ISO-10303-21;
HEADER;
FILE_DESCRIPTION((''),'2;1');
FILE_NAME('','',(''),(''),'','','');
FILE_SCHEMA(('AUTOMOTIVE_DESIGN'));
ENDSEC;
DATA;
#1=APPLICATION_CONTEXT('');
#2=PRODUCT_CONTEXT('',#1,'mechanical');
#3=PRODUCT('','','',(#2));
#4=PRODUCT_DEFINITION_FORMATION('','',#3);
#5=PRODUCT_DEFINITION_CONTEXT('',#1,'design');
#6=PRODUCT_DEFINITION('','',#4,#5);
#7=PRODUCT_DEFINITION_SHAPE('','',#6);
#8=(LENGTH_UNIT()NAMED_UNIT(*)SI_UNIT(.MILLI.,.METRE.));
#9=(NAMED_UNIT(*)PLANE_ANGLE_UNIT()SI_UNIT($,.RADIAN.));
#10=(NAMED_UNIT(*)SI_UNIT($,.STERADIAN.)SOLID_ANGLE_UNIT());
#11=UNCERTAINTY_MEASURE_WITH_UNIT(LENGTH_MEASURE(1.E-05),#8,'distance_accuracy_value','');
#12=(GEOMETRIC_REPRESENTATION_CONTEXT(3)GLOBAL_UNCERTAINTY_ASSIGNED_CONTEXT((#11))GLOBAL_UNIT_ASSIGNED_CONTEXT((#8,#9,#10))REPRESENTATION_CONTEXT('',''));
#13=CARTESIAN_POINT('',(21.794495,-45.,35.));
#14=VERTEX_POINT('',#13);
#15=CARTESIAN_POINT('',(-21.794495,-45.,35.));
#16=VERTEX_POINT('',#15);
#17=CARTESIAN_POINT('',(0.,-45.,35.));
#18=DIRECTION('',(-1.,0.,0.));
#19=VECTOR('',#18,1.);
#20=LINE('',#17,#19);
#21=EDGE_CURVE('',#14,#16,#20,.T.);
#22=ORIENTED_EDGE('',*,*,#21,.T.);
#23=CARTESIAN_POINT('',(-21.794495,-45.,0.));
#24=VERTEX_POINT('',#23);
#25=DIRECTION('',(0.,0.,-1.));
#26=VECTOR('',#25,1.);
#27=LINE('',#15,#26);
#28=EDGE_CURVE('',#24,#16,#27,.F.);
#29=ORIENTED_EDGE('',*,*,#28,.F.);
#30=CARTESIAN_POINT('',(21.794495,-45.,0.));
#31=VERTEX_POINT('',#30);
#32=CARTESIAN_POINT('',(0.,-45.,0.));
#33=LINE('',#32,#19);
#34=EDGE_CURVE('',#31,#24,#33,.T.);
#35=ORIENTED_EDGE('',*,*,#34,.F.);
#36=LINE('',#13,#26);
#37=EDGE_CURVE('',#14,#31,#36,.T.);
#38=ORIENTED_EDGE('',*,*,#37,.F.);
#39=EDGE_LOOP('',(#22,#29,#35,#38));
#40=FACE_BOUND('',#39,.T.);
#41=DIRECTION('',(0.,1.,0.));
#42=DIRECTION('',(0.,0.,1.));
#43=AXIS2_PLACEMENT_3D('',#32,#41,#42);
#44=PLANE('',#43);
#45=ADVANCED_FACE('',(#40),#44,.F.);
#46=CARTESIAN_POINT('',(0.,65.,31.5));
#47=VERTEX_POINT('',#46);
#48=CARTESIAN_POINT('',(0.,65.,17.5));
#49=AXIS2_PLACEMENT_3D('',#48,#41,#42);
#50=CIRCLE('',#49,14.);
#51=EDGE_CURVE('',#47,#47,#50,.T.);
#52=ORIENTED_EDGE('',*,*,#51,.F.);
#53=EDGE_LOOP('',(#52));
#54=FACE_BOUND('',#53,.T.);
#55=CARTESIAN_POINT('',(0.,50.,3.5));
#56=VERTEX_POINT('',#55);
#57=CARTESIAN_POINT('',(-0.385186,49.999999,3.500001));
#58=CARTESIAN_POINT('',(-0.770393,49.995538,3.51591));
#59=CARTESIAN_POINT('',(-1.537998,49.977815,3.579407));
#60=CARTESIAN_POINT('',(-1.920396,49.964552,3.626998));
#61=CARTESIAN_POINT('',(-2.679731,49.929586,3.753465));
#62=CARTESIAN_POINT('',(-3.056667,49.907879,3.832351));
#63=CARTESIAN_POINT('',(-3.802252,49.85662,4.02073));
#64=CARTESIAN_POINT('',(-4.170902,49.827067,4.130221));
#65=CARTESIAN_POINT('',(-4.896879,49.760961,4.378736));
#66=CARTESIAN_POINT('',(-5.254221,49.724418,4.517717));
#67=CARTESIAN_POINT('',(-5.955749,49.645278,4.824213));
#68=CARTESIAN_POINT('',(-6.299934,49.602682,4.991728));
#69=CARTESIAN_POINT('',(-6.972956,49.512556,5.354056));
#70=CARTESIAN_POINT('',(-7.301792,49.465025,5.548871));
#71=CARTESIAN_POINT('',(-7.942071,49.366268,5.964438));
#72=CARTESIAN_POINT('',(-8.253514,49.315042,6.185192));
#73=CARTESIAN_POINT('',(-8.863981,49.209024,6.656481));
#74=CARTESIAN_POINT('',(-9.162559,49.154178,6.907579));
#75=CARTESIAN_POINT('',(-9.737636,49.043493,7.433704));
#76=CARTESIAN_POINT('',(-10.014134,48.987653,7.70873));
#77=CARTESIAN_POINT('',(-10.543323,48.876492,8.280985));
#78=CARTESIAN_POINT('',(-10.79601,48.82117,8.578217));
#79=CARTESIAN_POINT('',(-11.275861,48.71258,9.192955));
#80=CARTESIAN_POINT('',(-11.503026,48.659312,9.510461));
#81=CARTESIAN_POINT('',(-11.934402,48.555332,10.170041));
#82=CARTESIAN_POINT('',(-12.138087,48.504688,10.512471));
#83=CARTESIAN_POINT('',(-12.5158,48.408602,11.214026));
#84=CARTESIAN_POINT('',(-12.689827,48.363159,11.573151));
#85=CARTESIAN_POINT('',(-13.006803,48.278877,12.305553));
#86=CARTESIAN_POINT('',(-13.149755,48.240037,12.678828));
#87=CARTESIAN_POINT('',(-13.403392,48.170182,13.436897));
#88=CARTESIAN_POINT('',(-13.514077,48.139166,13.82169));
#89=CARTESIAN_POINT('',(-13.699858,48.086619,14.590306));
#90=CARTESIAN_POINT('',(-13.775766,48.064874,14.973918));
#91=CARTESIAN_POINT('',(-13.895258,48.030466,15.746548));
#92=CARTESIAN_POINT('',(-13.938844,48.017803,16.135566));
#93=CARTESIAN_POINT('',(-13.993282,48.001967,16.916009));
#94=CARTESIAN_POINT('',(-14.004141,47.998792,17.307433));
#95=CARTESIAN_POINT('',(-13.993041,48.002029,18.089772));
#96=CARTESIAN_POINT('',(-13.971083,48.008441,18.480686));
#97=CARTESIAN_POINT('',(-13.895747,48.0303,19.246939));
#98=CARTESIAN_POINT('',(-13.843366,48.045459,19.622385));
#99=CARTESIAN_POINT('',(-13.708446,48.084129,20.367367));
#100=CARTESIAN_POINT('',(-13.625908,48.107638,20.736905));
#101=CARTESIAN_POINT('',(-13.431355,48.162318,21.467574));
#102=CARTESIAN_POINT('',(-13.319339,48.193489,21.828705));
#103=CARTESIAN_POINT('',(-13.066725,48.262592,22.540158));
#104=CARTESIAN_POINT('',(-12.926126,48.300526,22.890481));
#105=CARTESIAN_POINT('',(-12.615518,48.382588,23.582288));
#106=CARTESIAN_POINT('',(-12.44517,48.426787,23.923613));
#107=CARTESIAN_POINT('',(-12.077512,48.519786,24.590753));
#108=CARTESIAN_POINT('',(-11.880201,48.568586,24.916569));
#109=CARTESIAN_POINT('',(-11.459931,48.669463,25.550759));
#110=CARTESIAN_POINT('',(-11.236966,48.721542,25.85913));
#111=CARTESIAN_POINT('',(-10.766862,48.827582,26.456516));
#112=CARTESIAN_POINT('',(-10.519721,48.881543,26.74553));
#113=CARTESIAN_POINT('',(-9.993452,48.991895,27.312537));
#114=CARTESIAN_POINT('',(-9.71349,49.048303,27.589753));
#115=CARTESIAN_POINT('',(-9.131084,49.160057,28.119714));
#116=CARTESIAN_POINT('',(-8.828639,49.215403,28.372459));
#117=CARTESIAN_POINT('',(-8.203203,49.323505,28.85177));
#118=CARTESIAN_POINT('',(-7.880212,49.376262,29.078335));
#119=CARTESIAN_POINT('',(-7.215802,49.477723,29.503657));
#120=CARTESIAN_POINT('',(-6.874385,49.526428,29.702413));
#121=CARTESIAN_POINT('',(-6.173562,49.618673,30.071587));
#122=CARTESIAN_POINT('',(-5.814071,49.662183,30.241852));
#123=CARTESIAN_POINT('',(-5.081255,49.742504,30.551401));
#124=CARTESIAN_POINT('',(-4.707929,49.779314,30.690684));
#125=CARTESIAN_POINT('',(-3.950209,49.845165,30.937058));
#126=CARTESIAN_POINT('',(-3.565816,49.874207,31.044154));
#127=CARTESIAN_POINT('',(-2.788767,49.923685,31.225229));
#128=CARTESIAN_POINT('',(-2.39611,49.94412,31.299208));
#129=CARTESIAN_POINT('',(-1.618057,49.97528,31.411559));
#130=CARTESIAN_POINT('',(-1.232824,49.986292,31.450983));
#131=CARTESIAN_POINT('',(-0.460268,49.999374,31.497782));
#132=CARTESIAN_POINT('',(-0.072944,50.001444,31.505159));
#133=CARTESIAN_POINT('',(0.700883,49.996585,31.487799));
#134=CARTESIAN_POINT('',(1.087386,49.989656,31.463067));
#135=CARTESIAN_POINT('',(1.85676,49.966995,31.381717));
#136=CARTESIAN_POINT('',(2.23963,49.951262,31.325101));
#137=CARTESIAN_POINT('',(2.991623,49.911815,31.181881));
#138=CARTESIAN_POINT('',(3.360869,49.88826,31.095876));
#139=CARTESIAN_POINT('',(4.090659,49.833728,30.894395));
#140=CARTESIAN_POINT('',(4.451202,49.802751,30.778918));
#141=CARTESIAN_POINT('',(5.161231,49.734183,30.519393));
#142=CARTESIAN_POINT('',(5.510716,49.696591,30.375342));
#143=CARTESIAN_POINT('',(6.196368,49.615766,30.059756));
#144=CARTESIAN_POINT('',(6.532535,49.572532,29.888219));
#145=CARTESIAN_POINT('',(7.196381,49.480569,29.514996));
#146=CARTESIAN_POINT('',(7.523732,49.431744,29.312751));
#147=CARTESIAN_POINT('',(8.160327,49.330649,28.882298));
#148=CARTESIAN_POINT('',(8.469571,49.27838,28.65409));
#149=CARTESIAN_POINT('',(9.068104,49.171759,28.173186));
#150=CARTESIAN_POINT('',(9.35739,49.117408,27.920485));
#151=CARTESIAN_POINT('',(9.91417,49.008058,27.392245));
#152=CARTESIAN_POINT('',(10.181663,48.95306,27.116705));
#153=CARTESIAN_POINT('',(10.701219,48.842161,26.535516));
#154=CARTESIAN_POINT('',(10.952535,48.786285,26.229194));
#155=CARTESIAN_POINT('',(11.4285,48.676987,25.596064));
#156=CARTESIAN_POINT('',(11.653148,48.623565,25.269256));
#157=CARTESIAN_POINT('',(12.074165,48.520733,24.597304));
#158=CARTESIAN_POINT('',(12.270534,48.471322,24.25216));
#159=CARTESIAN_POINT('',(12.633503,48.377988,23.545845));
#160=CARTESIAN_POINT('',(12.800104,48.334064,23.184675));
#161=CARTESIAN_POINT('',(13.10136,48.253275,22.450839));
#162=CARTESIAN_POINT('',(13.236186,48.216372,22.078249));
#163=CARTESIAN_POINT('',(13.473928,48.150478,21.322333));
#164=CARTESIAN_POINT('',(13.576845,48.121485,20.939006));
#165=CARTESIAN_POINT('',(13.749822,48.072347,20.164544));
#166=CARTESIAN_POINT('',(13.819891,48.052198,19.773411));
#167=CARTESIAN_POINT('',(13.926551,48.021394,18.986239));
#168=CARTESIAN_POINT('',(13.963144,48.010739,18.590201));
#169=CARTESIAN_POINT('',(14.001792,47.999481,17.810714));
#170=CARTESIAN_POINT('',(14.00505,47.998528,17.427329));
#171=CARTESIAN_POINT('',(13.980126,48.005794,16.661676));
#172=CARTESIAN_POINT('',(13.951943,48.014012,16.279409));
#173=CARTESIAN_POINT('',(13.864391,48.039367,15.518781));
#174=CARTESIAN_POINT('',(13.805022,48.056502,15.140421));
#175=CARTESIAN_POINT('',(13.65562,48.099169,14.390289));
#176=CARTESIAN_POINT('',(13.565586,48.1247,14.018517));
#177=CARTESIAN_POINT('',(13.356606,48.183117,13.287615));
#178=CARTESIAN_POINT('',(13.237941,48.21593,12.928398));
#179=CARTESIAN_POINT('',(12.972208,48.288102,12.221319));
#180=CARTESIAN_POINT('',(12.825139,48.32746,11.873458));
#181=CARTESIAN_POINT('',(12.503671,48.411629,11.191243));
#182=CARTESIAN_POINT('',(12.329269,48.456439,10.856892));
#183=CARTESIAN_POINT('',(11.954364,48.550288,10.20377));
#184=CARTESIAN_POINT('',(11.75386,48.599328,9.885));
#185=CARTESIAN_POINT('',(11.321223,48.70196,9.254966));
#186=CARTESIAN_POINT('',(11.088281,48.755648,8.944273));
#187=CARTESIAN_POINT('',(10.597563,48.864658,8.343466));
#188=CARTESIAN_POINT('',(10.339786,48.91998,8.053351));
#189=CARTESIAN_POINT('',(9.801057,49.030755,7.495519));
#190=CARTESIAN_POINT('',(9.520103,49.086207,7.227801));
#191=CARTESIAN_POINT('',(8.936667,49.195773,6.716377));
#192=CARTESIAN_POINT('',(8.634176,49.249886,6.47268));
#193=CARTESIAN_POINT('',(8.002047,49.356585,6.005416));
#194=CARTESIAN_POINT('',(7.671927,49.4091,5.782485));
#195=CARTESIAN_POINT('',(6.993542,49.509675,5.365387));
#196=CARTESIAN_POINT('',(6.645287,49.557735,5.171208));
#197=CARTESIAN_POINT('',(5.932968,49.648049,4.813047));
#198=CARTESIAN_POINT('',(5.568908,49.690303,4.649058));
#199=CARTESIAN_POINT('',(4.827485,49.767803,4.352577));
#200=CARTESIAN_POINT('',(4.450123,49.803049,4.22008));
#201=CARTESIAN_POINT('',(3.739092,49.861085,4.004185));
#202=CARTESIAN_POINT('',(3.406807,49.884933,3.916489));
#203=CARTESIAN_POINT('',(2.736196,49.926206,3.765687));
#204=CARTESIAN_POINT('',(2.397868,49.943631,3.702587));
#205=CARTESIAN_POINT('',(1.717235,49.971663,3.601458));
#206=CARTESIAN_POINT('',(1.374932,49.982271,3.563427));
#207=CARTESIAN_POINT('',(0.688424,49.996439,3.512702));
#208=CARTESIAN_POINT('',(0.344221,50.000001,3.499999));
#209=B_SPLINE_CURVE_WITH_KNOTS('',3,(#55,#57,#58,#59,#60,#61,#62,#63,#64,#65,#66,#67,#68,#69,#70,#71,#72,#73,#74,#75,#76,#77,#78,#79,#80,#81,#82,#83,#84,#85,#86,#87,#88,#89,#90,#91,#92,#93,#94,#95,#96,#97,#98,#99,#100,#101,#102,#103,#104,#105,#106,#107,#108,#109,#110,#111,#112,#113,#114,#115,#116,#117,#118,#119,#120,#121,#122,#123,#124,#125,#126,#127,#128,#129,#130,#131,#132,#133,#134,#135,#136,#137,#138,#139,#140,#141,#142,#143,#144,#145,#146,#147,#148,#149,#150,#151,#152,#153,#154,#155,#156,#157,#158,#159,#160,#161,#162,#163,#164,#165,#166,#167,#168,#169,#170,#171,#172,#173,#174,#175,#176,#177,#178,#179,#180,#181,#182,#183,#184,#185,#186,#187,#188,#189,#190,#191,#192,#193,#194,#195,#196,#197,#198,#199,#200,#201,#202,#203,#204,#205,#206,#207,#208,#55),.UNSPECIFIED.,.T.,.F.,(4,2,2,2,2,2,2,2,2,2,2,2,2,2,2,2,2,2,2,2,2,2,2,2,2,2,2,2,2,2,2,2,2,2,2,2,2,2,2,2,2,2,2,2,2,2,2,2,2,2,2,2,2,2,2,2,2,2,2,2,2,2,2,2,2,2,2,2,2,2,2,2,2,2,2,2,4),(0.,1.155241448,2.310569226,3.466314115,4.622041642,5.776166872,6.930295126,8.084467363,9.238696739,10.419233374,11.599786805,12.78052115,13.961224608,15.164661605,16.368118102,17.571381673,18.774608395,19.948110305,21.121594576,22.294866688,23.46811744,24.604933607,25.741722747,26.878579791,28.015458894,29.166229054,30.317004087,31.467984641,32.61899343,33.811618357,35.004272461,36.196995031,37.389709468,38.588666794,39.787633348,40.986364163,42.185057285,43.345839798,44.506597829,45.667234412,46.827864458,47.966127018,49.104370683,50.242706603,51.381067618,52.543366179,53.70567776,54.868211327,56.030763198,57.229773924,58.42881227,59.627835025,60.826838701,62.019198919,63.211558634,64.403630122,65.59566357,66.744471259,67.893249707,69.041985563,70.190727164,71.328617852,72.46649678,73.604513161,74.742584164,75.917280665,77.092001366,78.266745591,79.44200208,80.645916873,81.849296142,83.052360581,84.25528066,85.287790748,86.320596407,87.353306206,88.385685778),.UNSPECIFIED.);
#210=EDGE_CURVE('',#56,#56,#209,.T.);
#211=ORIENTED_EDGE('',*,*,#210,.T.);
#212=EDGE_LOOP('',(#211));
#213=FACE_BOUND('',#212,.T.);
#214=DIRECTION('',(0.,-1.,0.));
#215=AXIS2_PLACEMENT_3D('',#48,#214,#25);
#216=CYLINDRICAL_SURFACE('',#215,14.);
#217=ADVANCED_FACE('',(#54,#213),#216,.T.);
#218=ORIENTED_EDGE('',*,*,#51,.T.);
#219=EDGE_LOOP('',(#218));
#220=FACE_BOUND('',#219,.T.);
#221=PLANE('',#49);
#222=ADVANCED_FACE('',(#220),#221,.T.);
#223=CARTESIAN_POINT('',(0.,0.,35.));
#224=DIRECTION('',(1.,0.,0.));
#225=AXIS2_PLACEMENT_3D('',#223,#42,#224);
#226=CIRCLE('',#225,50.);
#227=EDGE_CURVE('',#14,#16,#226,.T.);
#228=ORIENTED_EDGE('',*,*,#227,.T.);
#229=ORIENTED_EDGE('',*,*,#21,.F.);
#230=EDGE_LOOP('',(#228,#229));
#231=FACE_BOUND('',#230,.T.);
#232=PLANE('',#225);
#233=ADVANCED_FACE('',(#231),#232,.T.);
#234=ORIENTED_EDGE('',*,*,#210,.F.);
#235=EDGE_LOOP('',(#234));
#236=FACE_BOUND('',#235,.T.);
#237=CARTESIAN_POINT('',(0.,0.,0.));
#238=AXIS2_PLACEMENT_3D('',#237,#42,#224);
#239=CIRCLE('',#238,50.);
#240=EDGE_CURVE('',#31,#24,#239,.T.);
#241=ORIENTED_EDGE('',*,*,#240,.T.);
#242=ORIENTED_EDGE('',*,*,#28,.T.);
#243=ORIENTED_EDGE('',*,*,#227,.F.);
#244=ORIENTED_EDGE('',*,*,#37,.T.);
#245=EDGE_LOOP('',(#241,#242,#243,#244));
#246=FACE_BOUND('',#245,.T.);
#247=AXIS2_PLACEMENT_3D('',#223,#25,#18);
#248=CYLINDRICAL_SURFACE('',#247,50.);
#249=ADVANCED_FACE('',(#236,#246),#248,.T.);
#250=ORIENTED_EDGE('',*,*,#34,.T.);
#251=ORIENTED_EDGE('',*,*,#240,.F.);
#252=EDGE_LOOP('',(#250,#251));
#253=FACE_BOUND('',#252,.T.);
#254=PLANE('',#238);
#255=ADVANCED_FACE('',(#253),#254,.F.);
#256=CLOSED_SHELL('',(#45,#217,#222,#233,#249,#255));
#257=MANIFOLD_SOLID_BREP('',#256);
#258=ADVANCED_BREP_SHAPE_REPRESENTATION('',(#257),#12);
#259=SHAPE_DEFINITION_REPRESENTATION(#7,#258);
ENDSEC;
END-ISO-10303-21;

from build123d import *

# Parameters (mm, degrees)
SKETCH_1_R          = 50
EXTRUDE_1_DEPTH     = 35
SKETCH_2_R          = 14
EXTRUDE_2_DEPTH     = 65
CUT_EXTRUDE_START   = -110
SKETCH_3_W          = 150
SKETCH_3_H          = 100
CUT_EXTRUDE_1_DEPTH = 64


with BuildPart() as part:
    # 草图1 → 凸台-拉伸1 (new body)
    with BuildSketch(Plane.XY):
        Circle(SKETCH_1_R)
    extrude(amount=EXTRUDE_1_DEPTH)

    # 草图2 → 凸台-拉伸2 (add)
    with BuildSketch(Plane(origin=(0, 0, 0), x_dir=(1, 0, 0), z_dir=(0, 1, 0))):
        with Locations((0, -17.5)):
            Circle(SKETCH_2_R)
    extrude(amount=EXTRUDE_2_DEPTH)

    # 草图3 → 切除-拉伸1 (cut)
    with BuildSketch(Plane(origin=(0, 65, 0), x_dir=(1, 0, 0), z_dir=(0, 1, 0)).offset(CUT_EXTRUDE_START)):
        Rectangle(SKETCH_3_W, SKETCH_3_H)
    extrude(amount=-CUT_EXTRUDE_1_DEPTH, mode=Mode.SUBTRACT)


solid = part.part
